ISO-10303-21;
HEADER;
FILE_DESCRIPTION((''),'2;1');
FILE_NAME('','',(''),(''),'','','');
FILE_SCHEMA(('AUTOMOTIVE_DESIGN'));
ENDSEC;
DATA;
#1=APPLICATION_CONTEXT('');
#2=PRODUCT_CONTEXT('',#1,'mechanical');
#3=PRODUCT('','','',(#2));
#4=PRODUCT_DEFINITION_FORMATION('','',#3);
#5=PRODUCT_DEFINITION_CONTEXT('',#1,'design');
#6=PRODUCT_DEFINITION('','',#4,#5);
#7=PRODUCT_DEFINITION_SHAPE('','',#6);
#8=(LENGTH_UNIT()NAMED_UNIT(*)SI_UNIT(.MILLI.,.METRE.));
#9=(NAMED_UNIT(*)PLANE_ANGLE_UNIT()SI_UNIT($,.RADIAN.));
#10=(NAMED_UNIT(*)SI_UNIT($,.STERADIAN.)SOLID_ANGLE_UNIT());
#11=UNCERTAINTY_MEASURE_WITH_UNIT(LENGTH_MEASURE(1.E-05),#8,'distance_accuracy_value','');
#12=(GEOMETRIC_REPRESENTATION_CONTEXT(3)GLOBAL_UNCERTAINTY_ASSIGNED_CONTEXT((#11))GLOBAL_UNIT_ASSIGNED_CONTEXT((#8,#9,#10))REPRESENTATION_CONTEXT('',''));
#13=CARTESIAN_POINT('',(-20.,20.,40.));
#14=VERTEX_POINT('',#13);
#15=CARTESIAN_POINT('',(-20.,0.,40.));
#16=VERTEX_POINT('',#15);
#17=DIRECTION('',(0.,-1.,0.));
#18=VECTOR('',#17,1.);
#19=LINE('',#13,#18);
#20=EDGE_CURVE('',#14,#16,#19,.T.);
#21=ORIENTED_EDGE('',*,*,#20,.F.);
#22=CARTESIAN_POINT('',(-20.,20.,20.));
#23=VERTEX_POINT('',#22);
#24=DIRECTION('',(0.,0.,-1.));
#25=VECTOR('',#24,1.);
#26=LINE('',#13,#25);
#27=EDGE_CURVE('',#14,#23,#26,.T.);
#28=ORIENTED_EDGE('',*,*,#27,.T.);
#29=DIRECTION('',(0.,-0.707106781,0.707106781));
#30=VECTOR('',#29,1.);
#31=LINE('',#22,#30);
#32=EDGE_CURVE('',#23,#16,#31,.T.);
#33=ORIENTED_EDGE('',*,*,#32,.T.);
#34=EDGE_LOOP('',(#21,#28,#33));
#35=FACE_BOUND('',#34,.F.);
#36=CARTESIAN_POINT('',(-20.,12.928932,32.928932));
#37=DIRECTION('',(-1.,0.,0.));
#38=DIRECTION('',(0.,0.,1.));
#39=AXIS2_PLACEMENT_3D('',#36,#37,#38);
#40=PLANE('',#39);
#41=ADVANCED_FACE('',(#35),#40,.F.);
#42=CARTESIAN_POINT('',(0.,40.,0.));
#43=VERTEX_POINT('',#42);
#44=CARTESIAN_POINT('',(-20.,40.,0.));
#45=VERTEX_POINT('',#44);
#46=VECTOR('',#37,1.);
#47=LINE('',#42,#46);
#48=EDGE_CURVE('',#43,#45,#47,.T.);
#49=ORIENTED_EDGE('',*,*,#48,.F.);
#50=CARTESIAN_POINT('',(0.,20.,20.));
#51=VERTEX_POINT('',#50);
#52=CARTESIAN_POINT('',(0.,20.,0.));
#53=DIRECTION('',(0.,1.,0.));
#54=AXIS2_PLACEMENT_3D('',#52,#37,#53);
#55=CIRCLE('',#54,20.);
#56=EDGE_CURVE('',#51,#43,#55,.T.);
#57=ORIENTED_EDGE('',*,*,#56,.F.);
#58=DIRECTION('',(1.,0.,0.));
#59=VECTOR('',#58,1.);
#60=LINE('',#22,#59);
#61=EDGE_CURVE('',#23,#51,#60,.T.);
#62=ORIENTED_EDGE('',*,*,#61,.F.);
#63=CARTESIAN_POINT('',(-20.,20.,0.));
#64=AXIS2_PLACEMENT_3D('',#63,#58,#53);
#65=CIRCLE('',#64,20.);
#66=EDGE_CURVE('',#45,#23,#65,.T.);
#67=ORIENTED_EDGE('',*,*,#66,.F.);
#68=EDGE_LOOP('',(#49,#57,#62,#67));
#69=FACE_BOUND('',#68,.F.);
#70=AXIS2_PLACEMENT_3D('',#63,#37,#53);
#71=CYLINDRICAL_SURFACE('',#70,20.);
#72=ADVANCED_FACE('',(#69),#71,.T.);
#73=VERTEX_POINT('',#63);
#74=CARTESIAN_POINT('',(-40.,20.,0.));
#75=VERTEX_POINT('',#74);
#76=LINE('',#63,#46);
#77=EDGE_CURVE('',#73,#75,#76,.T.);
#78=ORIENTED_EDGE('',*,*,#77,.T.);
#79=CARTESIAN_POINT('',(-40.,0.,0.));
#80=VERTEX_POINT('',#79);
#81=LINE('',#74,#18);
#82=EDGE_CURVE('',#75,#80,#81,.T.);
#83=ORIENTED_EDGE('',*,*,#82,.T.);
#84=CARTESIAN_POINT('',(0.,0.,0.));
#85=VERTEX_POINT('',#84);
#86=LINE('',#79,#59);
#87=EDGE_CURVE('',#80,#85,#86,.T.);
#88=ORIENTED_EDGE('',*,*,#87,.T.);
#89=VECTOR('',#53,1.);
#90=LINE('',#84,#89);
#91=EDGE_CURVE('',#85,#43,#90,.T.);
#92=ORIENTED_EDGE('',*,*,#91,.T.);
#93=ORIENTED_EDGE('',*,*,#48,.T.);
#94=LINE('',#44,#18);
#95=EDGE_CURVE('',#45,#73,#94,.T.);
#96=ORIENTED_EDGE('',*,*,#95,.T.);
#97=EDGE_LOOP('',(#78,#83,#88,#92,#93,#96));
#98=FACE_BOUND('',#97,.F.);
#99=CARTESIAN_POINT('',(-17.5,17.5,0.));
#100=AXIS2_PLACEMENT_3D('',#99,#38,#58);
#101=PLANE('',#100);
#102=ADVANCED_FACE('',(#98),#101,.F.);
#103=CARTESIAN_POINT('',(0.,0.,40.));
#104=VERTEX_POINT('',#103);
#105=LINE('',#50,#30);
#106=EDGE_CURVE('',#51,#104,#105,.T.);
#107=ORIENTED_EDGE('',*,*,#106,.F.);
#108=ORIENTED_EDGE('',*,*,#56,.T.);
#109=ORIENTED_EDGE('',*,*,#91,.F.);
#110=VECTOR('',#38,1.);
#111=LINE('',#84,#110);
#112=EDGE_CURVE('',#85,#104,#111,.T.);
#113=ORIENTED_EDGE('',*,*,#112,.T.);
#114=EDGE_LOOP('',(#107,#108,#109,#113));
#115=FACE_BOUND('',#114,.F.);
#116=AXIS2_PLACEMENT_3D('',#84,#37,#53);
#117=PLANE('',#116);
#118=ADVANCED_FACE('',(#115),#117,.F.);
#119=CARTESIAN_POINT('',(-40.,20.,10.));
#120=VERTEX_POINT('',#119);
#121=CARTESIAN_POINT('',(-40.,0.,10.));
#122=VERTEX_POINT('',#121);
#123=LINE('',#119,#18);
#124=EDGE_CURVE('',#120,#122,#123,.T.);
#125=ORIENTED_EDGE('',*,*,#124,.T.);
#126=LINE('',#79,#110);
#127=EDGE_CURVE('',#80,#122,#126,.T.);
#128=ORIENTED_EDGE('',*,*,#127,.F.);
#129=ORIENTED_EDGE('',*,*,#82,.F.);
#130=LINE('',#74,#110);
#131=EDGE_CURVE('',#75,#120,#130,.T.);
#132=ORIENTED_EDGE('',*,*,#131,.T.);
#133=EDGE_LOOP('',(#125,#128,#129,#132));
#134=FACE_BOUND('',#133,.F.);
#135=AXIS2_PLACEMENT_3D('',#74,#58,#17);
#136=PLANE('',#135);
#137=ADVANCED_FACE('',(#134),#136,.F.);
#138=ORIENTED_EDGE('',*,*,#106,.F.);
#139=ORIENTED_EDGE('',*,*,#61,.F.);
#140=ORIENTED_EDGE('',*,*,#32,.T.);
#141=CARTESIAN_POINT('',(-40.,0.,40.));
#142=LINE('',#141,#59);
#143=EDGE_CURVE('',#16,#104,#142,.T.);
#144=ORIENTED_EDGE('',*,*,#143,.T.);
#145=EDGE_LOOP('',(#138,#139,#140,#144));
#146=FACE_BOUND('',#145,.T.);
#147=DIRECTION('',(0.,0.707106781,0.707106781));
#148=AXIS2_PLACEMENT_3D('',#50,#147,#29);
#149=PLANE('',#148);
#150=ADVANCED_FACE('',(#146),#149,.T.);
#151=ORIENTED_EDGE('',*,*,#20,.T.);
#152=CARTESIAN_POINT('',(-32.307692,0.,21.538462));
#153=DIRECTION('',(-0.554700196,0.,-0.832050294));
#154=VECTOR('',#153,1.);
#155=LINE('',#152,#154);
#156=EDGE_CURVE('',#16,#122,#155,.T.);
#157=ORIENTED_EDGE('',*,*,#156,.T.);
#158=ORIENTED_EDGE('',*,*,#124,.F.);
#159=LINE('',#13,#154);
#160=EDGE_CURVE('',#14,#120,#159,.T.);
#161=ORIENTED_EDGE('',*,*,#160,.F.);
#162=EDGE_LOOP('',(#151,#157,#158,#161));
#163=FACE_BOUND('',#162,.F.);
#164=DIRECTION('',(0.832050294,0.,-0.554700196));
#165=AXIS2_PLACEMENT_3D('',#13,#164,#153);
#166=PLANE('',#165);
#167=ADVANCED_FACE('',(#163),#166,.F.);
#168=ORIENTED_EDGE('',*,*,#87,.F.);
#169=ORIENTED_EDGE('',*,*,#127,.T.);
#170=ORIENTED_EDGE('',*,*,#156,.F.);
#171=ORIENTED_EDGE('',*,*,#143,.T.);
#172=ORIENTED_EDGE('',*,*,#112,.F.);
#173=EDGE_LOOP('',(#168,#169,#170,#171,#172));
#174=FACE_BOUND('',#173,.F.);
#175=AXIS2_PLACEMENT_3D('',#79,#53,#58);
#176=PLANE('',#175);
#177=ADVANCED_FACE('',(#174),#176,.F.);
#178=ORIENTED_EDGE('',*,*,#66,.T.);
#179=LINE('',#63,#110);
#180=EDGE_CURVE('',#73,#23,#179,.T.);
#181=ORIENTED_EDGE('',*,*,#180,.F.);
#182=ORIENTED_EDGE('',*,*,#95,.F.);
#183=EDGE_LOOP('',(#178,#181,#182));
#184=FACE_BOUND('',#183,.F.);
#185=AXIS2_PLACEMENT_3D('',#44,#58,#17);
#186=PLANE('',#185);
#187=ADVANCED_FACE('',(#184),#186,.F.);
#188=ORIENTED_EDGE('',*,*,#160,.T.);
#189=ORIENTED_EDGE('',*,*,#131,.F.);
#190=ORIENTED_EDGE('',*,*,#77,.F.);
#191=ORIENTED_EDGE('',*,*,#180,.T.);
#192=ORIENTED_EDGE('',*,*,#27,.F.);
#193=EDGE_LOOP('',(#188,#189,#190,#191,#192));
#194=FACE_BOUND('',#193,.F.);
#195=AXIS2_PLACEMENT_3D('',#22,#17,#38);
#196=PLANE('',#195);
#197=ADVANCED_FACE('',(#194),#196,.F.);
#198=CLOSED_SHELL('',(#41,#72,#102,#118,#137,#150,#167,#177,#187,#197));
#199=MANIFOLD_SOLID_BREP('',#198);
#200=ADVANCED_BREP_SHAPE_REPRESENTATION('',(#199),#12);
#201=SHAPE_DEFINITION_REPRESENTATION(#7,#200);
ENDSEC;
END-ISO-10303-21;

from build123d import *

# Parameters (mm, degrees)
BOSS_EXTRUDE1_DEPTH = 40
CUT_EXTRUDE1_DEPTH  = 40
CUT_EXTRUDE2_DEPTH  = 40
CUT_EXTRUDE4_DEPTH  = 20


with BuildPart() as part:
    # Sketch1 → Boss-Extrude1 (new body)
    with BuildSketch(Plane.XY):
        Polygon((0, 0), (0, 40), (-20, 40), (-20, 20), (-40, 20), (-40, 0), align=None)
    extrude(amount=BOSS_EXTRUDE1_DEPTH)

    # Sketch3 → Cut-Extrude1 (cut)
    with BuildSketch(Plane.ZY.offset(20)):
        with BuildLine():
            Line((40, 40), (0, 40))
            ThreePointArc((0, 40), (14.142135624, 34.142135624), (20, 20))
            Line((20, 20), (40, 20))
            Line((40, 20), (40, 40))
        make_face()
    extrude(amount=-CUT_EXTRUDE1_DEPTH, mode=Mode.SUBTRACT)

    # Sketch5 → Cut-Extrude2 (cut)
    with BuildSketch(Plane(origin=(0, 20, 0), x_dir=(1, 0, 0), z_dir=(0, 1, 0))):
        Polygon((-20, -40), (-40, -10), (-40, -40), align=None)
    extrude(amount=-CUT_EXTRUDE2_DEPTH, mode=Mode.SUBTRACT)

    # Sketch8 → Cut-Extrude4 (cut)
    with BuildSketch(Plane(origin=(0, 0, 0), x_dir=(0, 0, -1), z_dir=(1, 0, 0))):
        Polygon((-20, 20), (-40, 0), (-40, 20), align=None)
    extrude(amount=-CUT_EXTRUDE4_DEPTH, mode=Mode.SUBTRACT)


solid = part.part
